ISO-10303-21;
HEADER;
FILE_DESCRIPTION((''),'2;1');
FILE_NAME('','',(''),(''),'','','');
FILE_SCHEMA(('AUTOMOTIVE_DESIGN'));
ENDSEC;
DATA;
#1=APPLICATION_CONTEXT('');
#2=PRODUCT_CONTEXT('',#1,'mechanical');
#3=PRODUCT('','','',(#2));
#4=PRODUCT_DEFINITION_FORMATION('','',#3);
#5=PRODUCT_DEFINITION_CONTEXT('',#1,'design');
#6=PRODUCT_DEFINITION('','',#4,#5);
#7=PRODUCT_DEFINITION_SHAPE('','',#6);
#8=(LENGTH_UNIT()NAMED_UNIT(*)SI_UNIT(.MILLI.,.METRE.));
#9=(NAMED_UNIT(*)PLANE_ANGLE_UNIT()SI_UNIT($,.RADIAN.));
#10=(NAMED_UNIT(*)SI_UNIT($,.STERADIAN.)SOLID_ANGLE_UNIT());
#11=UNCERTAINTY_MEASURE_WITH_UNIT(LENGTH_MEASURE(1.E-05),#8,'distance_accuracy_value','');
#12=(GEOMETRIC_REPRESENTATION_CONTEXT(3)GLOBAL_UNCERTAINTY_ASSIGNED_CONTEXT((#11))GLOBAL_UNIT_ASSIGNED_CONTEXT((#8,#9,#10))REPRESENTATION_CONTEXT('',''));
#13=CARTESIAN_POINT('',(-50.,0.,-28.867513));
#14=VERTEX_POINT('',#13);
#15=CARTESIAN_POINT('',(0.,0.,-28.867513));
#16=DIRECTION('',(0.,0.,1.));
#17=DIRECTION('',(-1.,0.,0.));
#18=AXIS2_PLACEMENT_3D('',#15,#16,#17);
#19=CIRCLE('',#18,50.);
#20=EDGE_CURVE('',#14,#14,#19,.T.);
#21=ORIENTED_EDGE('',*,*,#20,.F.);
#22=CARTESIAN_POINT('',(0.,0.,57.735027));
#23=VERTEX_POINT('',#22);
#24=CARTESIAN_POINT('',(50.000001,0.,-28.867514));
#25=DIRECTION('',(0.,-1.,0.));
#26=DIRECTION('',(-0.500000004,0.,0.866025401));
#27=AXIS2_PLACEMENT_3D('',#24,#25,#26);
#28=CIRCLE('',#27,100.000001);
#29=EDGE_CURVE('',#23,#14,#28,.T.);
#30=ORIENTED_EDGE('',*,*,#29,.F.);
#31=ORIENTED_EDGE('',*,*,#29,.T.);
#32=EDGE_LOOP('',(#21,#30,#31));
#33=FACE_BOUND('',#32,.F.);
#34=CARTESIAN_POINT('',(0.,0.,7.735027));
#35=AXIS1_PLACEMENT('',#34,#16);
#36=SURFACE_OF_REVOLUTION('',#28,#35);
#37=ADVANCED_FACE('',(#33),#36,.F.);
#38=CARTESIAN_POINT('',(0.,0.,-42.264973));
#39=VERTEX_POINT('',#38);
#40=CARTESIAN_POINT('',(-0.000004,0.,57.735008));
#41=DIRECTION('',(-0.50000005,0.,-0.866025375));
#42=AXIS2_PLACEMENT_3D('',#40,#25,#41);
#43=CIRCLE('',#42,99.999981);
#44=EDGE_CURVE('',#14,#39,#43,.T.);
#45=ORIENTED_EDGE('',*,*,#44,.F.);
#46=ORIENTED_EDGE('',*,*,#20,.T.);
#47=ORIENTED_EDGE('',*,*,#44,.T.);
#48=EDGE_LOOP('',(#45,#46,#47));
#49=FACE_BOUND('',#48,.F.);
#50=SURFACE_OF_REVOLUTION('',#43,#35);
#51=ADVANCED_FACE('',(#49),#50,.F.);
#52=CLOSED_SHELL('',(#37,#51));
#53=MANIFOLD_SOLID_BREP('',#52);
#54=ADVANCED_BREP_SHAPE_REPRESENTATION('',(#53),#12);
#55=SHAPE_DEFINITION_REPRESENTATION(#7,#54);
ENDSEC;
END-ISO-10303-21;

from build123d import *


with BuildPart() as f1:
    # F0 (on Front) → F1 (revolve)
    with BuildSketch(Plane.XZ):
        with BuildLine():
            Line((0, -42.264973), (0, 57.735027))
            ThreePointArc((0, 57.735027), (-36.60254, 21.132487), (-50, -28.867513))
            ThreePointArc((-50, -28.867513), (-25.881905, -38.857556), (0, -42.264973))
        make_face()
    revolve(axis=Axis((0, 0, 7.735027), (0, 0, 1)))


solid = f1.part
